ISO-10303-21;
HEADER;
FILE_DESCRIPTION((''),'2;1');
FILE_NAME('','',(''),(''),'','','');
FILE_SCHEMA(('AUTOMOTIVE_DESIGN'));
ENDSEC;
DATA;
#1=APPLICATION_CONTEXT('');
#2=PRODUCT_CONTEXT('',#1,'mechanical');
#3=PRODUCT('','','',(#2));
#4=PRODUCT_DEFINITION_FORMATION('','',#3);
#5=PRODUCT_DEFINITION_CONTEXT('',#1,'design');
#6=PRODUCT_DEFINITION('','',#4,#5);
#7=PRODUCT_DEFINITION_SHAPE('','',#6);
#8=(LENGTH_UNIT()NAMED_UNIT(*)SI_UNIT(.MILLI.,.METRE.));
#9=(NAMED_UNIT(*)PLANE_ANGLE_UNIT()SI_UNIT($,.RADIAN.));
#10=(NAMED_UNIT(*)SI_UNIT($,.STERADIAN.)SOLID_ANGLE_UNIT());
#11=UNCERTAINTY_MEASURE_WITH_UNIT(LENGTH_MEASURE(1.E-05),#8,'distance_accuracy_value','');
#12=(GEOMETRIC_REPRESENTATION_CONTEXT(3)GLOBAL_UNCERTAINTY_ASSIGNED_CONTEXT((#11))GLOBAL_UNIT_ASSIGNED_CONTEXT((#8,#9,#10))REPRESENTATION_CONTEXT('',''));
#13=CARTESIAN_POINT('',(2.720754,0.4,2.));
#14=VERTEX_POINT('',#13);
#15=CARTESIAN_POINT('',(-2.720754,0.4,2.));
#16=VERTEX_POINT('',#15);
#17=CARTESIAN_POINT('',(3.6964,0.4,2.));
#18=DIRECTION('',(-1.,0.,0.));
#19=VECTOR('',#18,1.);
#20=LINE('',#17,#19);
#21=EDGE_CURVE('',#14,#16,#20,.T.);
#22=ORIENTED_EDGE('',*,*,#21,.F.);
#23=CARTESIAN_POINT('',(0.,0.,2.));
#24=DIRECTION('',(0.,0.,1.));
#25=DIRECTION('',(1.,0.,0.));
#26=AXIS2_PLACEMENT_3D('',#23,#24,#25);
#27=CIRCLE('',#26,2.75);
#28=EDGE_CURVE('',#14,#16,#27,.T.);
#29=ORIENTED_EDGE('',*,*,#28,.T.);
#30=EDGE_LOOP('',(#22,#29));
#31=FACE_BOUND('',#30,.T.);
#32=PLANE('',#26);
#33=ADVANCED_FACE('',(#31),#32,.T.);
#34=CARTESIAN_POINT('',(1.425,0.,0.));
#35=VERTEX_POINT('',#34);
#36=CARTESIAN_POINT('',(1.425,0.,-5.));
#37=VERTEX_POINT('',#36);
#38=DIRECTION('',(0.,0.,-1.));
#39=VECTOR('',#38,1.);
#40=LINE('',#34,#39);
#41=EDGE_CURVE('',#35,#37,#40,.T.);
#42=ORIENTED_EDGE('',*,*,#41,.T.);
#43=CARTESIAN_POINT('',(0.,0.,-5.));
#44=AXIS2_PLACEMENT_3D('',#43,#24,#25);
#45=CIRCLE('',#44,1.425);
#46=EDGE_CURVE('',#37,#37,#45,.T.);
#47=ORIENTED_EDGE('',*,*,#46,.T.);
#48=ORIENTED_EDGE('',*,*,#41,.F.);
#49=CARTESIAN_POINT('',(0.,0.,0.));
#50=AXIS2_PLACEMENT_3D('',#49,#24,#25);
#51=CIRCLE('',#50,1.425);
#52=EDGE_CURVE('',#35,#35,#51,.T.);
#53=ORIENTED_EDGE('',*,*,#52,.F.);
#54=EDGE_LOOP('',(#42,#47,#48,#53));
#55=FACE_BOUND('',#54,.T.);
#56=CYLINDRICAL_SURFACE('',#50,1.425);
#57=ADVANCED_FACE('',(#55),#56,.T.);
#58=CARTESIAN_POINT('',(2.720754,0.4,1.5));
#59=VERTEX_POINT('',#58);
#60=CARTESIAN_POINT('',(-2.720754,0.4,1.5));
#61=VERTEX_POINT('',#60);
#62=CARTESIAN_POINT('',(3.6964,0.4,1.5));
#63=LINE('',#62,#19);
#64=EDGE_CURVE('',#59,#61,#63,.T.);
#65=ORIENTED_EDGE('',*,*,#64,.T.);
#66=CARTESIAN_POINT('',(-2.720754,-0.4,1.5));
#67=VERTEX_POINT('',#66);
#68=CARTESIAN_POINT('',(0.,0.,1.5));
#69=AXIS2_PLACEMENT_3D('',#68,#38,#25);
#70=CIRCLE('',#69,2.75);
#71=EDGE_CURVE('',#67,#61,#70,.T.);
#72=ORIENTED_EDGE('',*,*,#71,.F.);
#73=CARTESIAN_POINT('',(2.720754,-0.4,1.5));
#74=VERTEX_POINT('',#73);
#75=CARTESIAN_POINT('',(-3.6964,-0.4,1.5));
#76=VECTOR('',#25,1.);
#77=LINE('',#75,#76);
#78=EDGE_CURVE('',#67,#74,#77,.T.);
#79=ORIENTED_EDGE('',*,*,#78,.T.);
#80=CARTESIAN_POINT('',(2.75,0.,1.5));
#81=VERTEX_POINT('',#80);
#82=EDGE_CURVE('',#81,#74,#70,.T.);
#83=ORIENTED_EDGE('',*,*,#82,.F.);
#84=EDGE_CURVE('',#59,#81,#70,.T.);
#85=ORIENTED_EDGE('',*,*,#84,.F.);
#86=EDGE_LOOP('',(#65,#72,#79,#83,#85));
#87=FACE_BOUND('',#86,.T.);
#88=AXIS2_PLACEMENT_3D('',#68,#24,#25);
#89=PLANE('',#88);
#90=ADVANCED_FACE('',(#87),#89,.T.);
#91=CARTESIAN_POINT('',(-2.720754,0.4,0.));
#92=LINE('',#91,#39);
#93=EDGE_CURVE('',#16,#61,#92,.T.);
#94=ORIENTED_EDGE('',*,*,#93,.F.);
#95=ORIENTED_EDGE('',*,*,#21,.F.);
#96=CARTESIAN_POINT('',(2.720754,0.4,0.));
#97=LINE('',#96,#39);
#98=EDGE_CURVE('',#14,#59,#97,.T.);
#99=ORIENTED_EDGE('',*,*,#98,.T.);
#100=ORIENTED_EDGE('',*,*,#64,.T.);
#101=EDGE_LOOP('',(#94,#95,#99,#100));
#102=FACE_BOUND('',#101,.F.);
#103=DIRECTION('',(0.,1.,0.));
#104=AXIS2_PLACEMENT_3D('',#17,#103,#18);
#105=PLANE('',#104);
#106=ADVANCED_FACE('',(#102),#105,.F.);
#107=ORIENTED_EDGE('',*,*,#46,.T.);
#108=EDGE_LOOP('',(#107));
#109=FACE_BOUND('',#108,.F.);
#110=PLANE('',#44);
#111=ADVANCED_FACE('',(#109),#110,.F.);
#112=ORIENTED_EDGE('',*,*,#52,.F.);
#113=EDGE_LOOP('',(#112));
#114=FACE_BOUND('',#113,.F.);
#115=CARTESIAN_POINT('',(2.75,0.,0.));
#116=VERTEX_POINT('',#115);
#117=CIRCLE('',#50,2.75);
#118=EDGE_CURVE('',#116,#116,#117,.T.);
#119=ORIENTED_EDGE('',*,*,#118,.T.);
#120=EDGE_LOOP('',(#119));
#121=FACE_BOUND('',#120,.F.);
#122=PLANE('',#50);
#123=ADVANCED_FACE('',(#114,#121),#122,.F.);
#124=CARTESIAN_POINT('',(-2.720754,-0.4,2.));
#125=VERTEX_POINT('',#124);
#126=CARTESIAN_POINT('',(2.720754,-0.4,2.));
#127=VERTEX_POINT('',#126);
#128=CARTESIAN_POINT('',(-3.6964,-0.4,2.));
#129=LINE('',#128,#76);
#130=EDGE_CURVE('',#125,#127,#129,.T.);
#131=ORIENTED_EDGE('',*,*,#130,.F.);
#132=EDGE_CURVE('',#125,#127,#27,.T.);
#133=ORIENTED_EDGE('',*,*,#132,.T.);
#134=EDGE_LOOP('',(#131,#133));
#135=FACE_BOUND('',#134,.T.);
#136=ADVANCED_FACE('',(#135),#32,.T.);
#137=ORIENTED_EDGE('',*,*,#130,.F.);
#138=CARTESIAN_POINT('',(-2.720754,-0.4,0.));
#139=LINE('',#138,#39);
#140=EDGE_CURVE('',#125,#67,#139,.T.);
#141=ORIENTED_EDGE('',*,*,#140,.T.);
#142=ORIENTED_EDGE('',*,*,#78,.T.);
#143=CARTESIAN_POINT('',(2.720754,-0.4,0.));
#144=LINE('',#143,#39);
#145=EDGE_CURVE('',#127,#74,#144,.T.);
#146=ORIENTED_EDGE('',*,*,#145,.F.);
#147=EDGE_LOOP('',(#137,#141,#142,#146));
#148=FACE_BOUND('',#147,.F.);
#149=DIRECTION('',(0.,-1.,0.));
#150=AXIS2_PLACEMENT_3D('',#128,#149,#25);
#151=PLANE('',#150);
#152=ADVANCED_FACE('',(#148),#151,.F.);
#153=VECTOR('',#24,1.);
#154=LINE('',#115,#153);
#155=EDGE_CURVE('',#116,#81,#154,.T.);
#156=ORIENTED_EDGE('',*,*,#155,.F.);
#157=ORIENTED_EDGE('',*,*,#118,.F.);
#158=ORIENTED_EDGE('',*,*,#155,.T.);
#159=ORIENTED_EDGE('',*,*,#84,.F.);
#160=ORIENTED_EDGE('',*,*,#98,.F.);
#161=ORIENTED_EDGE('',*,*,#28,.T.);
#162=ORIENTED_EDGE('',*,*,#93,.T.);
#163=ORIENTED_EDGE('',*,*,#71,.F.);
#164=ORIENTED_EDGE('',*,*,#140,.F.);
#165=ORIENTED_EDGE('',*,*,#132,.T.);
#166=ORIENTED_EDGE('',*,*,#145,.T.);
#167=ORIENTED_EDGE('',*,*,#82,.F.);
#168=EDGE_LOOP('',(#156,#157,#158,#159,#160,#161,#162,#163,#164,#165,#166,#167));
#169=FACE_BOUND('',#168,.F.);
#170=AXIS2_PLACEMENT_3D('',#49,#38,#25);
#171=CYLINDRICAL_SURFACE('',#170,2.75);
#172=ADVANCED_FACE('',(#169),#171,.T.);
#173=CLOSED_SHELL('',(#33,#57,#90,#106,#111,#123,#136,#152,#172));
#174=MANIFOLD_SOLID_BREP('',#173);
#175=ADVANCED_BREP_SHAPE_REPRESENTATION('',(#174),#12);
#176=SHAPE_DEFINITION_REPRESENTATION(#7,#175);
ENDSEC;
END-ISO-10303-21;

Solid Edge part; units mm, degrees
sketch "Sketch1" plane through (0, 0, 0) normal (0, 0, 1) x (1, 0, 0)
  circle A0 centre (0, 0) radius 1.425
extrude "Protrusion1" add sketch "Sketch1" against normal blind 5
sketch "Sketch2" plane through (0, 0, 0) normal (0, 0, 1) x (1, 0, 0)
  circle A0 centre (0, 0) radius 2.75
extrude "ExtrudedProtrusion_2" add sketch "Sketch2" along normal blind 2
sketch "Sketch3" plane through (0, 0, 2) normal (0, 0, 1) x (1, 0, 0)
  line L0 (3.6964, 0.4) -> (-3.6964, 0.4)
  line L1 (-3.6964, 0.4) -> (-3.6964, -0.4)
  line L2 (-3.6964, -0.4) -> (3.6964, -0.4)
  line L3 (3.6964, -0.4) -> (3.6964, 0.4)
extrude "ExtrudedCutout_1" cut sketch "Sketch3" against normal blind 0.5
properties material "Graphite"
